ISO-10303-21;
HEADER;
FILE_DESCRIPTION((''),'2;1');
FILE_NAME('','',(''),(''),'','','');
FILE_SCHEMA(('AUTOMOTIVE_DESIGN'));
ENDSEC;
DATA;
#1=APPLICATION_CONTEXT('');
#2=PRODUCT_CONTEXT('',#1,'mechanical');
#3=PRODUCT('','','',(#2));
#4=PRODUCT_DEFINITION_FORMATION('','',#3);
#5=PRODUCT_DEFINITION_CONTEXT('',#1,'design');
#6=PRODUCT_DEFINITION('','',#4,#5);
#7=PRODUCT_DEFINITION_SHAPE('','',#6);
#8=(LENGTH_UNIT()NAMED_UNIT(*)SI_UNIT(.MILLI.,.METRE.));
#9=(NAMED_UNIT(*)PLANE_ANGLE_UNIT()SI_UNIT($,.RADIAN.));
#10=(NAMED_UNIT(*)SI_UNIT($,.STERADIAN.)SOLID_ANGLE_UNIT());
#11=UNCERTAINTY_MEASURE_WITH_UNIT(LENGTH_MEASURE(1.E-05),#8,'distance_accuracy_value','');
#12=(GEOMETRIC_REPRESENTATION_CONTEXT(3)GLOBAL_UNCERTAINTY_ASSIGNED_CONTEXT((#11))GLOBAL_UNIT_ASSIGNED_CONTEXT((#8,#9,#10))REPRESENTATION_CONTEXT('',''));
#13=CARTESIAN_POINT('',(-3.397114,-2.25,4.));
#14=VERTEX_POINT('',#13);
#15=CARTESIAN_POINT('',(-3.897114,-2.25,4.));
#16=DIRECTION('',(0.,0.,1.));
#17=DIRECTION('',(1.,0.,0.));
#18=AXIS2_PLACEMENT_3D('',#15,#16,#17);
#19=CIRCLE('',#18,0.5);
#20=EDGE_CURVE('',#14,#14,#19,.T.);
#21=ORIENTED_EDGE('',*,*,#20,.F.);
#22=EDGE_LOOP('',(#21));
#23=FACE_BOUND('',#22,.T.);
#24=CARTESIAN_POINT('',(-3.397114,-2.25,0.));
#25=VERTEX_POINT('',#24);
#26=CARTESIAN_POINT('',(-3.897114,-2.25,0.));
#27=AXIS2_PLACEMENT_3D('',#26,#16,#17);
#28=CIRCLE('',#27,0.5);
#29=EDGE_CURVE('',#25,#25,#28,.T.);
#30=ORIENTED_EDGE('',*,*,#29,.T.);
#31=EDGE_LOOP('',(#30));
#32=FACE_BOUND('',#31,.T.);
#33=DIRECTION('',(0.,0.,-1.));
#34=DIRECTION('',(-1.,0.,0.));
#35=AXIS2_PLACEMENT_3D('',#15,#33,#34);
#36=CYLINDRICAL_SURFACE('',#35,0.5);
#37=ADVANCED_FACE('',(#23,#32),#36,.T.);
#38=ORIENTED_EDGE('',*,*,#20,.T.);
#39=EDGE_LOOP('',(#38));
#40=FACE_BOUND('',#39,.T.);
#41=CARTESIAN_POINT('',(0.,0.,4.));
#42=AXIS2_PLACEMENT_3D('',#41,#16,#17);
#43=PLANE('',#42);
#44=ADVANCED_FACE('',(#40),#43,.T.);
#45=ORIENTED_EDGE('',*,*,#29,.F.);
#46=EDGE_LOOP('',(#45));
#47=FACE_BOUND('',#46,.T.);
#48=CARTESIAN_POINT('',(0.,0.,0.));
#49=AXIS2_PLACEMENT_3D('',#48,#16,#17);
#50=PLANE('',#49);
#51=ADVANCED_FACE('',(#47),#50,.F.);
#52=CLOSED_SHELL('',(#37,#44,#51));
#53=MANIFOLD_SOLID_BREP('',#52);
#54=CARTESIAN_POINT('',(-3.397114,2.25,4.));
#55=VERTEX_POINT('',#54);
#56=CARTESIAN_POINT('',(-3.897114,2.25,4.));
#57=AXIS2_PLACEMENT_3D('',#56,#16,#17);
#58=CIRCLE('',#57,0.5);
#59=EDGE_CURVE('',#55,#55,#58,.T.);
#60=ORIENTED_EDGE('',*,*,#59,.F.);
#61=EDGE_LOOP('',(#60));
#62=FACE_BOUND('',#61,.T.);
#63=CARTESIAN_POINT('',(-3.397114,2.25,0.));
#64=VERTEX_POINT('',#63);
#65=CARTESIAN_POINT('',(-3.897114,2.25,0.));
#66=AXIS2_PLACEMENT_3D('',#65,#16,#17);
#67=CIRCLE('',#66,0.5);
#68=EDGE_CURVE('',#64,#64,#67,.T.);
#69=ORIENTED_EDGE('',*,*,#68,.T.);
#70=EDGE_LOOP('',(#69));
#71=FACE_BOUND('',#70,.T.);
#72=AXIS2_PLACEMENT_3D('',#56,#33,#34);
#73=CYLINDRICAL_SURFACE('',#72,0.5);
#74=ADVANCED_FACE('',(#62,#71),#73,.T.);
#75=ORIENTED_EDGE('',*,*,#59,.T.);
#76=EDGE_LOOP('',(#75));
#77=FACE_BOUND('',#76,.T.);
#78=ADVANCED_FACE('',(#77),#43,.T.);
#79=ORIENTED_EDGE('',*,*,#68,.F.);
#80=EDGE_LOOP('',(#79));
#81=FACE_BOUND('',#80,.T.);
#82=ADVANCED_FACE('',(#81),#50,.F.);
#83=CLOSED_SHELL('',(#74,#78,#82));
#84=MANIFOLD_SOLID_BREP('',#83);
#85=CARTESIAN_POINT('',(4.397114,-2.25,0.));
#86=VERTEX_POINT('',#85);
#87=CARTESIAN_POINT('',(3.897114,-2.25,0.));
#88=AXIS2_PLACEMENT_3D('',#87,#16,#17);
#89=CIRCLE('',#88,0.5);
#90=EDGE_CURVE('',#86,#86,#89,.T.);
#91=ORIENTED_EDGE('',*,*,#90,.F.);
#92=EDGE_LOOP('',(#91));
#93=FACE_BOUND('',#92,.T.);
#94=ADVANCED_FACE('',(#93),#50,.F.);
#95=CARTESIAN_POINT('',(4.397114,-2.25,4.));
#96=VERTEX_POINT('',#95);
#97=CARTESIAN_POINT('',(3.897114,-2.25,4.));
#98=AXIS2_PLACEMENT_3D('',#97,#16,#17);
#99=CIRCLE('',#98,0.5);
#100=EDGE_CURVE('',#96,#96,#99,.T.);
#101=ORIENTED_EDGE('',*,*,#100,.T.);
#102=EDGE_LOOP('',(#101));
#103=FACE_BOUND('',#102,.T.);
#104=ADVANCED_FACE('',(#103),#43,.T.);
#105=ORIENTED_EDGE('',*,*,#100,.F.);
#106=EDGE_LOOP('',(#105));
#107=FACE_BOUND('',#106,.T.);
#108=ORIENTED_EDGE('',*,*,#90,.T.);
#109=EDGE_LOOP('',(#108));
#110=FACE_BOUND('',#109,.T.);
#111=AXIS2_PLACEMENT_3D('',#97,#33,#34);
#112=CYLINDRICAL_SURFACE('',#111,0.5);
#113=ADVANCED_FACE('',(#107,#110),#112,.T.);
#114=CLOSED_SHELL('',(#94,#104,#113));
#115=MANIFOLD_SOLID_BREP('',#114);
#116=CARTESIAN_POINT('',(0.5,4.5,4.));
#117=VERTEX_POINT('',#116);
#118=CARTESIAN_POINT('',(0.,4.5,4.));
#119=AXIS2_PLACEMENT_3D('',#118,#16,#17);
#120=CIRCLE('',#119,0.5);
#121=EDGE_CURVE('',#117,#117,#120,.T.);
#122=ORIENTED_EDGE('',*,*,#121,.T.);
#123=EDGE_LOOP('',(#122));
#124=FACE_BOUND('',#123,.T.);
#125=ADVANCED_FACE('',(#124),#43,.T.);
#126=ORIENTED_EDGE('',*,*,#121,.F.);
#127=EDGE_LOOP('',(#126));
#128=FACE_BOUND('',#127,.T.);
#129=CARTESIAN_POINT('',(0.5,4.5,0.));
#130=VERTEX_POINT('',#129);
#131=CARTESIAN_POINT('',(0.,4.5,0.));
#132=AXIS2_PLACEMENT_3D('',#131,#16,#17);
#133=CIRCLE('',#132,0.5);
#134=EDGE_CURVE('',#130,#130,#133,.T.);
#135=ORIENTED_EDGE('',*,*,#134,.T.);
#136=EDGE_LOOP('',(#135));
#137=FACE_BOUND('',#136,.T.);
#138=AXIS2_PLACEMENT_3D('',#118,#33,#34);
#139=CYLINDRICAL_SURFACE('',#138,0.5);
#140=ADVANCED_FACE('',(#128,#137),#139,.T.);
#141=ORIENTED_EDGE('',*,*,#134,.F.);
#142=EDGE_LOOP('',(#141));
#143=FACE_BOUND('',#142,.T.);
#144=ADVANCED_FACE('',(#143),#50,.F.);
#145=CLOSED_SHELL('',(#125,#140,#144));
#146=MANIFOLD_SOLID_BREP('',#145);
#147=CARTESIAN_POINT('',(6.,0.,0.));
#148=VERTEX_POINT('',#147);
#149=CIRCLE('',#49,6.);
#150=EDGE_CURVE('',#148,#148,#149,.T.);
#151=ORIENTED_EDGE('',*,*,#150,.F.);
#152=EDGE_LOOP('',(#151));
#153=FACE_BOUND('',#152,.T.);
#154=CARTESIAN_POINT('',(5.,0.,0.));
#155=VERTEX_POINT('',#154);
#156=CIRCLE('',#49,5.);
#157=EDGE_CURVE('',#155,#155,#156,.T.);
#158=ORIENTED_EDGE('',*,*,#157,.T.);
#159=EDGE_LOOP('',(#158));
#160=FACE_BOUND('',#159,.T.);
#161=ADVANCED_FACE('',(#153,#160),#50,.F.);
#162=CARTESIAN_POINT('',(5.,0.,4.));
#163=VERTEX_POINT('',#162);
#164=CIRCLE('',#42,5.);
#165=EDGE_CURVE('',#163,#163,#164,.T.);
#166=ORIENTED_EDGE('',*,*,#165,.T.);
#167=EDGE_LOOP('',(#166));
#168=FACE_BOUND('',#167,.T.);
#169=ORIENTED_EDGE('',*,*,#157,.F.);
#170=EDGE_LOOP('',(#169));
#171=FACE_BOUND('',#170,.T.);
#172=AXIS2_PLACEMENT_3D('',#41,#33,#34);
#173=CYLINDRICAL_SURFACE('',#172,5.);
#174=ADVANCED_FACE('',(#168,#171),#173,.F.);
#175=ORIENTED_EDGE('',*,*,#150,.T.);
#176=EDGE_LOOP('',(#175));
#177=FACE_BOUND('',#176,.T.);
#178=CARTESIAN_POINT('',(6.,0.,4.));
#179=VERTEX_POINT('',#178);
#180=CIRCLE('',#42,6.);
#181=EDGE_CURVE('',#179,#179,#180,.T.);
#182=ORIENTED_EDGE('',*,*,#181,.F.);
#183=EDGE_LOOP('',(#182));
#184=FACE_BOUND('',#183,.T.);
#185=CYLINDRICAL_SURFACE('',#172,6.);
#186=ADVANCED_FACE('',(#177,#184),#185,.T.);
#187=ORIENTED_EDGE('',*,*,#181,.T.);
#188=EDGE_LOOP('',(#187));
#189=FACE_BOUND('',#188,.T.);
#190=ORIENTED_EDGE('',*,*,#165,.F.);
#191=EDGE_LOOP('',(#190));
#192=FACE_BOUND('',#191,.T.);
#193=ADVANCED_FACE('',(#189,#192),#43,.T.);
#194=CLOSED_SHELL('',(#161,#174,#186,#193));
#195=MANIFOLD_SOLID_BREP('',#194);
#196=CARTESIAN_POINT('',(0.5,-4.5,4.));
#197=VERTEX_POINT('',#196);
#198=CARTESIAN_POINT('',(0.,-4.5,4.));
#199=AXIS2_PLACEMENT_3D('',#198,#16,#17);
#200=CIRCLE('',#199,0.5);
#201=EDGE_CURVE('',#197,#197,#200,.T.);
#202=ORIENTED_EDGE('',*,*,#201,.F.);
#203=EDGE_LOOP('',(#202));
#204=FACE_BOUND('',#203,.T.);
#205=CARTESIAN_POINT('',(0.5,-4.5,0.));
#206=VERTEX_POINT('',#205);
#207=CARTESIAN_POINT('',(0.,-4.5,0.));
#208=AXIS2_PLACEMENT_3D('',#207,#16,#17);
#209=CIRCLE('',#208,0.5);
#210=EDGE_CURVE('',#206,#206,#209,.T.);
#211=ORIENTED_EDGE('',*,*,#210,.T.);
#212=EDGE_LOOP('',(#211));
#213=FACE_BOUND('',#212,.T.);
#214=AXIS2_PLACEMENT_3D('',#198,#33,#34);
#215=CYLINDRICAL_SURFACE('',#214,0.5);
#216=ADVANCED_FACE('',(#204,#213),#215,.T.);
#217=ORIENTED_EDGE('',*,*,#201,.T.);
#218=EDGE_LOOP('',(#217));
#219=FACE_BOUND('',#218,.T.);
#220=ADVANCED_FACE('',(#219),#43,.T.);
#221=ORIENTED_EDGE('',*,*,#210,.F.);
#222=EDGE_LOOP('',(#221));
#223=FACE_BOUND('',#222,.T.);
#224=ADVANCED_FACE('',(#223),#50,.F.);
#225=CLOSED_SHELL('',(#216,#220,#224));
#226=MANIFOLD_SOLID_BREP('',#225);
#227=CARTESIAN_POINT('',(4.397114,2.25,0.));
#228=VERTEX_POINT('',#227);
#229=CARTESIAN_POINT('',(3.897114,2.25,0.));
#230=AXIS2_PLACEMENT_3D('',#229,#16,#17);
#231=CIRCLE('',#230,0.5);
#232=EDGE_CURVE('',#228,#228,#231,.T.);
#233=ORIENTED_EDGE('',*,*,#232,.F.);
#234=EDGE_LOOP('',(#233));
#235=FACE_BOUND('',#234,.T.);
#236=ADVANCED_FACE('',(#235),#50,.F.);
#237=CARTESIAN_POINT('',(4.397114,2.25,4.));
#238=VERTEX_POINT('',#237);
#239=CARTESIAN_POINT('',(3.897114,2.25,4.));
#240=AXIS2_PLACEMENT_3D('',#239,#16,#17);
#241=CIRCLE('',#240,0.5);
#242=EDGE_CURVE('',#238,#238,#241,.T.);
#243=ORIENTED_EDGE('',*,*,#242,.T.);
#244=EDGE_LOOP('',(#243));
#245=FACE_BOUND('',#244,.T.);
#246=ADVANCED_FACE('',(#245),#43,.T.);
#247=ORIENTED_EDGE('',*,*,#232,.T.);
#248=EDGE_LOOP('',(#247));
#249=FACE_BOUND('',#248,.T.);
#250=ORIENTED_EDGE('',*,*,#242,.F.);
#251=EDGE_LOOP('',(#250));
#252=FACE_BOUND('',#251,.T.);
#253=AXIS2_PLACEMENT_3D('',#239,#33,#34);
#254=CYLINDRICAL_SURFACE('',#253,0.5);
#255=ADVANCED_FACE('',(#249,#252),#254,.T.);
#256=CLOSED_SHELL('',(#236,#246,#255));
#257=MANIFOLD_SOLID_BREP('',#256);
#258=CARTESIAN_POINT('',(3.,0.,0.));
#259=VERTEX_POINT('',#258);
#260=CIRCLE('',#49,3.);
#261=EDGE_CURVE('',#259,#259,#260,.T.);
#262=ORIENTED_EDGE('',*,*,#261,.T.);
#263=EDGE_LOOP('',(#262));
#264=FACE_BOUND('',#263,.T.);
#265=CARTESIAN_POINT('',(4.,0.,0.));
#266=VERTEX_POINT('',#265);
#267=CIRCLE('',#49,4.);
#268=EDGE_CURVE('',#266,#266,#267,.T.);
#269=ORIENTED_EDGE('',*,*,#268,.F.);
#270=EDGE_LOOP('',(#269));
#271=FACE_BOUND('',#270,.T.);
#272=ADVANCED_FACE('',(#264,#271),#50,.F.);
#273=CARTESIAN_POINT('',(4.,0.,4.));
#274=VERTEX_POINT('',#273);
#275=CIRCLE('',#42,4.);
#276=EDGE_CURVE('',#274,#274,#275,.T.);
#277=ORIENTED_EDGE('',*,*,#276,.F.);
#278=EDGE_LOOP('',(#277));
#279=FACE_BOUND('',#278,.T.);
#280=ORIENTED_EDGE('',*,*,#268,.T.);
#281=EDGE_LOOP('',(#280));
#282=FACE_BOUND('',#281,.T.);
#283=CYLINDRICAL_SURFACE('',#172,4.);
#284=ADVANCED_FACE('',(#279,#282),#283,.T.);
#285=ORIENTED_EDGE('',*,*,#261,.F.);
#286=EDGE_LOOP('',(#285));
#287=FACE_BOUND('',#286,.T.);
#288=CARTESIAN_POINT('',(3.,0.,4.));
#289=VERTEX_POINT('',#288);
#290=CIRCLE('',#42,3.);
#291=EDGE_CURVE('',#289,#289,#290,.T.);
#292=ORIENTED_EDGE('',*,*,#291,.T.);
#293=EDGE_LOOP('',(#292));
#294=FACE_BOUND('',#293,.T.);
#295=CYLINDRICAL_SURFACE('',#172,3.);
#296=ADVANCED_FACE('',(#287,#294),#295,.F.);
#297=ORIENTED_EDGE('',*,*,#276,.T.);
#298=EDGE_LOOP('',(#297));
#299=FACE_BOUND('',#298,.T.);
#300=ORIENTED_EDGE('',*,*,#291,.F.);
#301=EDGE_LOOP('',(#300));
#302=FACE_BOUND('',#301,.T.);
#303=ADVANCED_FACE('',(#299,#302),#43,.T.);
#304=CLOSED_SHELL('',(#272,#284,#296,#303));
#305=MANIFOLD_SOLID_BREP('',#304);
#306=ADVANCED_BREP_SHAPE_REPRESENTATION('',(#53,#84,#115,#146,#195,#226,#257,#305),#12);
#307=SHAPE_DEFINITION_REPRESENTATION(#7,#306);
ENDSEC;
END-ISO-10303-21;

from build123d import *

# Parameters (mm, degrees)
SKETCH_1_R        = 4
SKETCH_1_R_2      = 3
EXTRUDE_1_DEPTH   = 4
SKETCH_1_R_3      = 0.5
EXTRUDE_1_2_DEPTH = 4
SKETCH_1_R_4      = 6
SKETCH_1_R_5      = 5
EXTRUDE_1_3_DEPTH = 4
EXTRUDE_1_4_DEPTH = 4
EXTRUDE_1_5_DEPTH = 4
EXTRUDE_1_6_DEPTH = 4
EXTRUDE_1_7_DEPTH = 4
EXTRUDE_1_8_DEPTH = 4


with BuildPart() as part:
    # 草图1 → 凸台-拉伸1 (new body)
    with BuildSketch(Plane.XY):
        Circle(SKETCH_1_R)
        Circle(SKETCH_1_R_2, mode=Mode.SUBTRACT)
    extrude(amount=EXTRUDE_1_DEPTH)


with BuildPart() as body_2:
    # 草图1 → Extrude 1 2 (new body)
    with BuildSketch(Plane.XY):
        with Locations((0, 4.5)):
            Circle(SKETCH_1_R_3)
    extrude(amount=EXTRUDE_1_2_DEPTH)


with BuildPart() as body_3:
    # 草图1 → Extrude 1 3 (new body)
    with BuildSketch(Plane.XY):
        Circle(SKETCH_1_R_4)
        Circle(SKETCH_1_R_5, mode=Mode.SUBTRACT)
    extrude(amount=EXTRUDE_1_3_DEPTH)


with BuildPart() as body_4:
    # 草图1 → Extrude 1 4 (new body)
    with BuildSketch(Plane.XY):
        with Locations((-3.897114317, 2.25)):
            Circle(SKETCH_1_R_3)
    extrude(amount=EXTRUDE_1_4_DEPTH)


with BuildPart() as body_5:
    # 草图1 → Extrude 1 5 (new body)
    with BuildSketch(Plane.XY):
        with Locations((3.897114317, 2.25)):
            Circle(SKETCH_1_R_3)
    extrude(amount=EXTRUDE_1_5_DEPTH)


with BuildPart() as body_6:
    # 草图1 → Extrude 1 6 (new body)
    with BuildSketch(Plane.XY):
        with Locations((3.897114317, -2.25)):
            Circle(SKETCH_1_R_3)
    extrude(amount=EXTRUDE_1_6_DEPTH)


with BuildPart() as body_7:
    # 草图1 → Extrude 1 7 (new body)
    with BuildSketch(Plane.XY):
        with Locations((0, -4.5)):
            Circle(SKETCH_1_R_3)
    extrude(amount=EXTRUDE_1_7_DEPTH)


with BuildPart() as body_8:
    # 草图1 → Extrude 1 8 (new body)
    with BuildSketch(Plane.XY):
        with Locations((-3.897114317, -2.25)):
            Circle(SKETCH_1_R_3)
    extrude(amount=EXTRUDE_1_8_DEPTH)


solid = Compound([part.part, body_2.part, body_3.part, body_4.part, body_5.part, body_6.part, body_7.part, body_8.part])
